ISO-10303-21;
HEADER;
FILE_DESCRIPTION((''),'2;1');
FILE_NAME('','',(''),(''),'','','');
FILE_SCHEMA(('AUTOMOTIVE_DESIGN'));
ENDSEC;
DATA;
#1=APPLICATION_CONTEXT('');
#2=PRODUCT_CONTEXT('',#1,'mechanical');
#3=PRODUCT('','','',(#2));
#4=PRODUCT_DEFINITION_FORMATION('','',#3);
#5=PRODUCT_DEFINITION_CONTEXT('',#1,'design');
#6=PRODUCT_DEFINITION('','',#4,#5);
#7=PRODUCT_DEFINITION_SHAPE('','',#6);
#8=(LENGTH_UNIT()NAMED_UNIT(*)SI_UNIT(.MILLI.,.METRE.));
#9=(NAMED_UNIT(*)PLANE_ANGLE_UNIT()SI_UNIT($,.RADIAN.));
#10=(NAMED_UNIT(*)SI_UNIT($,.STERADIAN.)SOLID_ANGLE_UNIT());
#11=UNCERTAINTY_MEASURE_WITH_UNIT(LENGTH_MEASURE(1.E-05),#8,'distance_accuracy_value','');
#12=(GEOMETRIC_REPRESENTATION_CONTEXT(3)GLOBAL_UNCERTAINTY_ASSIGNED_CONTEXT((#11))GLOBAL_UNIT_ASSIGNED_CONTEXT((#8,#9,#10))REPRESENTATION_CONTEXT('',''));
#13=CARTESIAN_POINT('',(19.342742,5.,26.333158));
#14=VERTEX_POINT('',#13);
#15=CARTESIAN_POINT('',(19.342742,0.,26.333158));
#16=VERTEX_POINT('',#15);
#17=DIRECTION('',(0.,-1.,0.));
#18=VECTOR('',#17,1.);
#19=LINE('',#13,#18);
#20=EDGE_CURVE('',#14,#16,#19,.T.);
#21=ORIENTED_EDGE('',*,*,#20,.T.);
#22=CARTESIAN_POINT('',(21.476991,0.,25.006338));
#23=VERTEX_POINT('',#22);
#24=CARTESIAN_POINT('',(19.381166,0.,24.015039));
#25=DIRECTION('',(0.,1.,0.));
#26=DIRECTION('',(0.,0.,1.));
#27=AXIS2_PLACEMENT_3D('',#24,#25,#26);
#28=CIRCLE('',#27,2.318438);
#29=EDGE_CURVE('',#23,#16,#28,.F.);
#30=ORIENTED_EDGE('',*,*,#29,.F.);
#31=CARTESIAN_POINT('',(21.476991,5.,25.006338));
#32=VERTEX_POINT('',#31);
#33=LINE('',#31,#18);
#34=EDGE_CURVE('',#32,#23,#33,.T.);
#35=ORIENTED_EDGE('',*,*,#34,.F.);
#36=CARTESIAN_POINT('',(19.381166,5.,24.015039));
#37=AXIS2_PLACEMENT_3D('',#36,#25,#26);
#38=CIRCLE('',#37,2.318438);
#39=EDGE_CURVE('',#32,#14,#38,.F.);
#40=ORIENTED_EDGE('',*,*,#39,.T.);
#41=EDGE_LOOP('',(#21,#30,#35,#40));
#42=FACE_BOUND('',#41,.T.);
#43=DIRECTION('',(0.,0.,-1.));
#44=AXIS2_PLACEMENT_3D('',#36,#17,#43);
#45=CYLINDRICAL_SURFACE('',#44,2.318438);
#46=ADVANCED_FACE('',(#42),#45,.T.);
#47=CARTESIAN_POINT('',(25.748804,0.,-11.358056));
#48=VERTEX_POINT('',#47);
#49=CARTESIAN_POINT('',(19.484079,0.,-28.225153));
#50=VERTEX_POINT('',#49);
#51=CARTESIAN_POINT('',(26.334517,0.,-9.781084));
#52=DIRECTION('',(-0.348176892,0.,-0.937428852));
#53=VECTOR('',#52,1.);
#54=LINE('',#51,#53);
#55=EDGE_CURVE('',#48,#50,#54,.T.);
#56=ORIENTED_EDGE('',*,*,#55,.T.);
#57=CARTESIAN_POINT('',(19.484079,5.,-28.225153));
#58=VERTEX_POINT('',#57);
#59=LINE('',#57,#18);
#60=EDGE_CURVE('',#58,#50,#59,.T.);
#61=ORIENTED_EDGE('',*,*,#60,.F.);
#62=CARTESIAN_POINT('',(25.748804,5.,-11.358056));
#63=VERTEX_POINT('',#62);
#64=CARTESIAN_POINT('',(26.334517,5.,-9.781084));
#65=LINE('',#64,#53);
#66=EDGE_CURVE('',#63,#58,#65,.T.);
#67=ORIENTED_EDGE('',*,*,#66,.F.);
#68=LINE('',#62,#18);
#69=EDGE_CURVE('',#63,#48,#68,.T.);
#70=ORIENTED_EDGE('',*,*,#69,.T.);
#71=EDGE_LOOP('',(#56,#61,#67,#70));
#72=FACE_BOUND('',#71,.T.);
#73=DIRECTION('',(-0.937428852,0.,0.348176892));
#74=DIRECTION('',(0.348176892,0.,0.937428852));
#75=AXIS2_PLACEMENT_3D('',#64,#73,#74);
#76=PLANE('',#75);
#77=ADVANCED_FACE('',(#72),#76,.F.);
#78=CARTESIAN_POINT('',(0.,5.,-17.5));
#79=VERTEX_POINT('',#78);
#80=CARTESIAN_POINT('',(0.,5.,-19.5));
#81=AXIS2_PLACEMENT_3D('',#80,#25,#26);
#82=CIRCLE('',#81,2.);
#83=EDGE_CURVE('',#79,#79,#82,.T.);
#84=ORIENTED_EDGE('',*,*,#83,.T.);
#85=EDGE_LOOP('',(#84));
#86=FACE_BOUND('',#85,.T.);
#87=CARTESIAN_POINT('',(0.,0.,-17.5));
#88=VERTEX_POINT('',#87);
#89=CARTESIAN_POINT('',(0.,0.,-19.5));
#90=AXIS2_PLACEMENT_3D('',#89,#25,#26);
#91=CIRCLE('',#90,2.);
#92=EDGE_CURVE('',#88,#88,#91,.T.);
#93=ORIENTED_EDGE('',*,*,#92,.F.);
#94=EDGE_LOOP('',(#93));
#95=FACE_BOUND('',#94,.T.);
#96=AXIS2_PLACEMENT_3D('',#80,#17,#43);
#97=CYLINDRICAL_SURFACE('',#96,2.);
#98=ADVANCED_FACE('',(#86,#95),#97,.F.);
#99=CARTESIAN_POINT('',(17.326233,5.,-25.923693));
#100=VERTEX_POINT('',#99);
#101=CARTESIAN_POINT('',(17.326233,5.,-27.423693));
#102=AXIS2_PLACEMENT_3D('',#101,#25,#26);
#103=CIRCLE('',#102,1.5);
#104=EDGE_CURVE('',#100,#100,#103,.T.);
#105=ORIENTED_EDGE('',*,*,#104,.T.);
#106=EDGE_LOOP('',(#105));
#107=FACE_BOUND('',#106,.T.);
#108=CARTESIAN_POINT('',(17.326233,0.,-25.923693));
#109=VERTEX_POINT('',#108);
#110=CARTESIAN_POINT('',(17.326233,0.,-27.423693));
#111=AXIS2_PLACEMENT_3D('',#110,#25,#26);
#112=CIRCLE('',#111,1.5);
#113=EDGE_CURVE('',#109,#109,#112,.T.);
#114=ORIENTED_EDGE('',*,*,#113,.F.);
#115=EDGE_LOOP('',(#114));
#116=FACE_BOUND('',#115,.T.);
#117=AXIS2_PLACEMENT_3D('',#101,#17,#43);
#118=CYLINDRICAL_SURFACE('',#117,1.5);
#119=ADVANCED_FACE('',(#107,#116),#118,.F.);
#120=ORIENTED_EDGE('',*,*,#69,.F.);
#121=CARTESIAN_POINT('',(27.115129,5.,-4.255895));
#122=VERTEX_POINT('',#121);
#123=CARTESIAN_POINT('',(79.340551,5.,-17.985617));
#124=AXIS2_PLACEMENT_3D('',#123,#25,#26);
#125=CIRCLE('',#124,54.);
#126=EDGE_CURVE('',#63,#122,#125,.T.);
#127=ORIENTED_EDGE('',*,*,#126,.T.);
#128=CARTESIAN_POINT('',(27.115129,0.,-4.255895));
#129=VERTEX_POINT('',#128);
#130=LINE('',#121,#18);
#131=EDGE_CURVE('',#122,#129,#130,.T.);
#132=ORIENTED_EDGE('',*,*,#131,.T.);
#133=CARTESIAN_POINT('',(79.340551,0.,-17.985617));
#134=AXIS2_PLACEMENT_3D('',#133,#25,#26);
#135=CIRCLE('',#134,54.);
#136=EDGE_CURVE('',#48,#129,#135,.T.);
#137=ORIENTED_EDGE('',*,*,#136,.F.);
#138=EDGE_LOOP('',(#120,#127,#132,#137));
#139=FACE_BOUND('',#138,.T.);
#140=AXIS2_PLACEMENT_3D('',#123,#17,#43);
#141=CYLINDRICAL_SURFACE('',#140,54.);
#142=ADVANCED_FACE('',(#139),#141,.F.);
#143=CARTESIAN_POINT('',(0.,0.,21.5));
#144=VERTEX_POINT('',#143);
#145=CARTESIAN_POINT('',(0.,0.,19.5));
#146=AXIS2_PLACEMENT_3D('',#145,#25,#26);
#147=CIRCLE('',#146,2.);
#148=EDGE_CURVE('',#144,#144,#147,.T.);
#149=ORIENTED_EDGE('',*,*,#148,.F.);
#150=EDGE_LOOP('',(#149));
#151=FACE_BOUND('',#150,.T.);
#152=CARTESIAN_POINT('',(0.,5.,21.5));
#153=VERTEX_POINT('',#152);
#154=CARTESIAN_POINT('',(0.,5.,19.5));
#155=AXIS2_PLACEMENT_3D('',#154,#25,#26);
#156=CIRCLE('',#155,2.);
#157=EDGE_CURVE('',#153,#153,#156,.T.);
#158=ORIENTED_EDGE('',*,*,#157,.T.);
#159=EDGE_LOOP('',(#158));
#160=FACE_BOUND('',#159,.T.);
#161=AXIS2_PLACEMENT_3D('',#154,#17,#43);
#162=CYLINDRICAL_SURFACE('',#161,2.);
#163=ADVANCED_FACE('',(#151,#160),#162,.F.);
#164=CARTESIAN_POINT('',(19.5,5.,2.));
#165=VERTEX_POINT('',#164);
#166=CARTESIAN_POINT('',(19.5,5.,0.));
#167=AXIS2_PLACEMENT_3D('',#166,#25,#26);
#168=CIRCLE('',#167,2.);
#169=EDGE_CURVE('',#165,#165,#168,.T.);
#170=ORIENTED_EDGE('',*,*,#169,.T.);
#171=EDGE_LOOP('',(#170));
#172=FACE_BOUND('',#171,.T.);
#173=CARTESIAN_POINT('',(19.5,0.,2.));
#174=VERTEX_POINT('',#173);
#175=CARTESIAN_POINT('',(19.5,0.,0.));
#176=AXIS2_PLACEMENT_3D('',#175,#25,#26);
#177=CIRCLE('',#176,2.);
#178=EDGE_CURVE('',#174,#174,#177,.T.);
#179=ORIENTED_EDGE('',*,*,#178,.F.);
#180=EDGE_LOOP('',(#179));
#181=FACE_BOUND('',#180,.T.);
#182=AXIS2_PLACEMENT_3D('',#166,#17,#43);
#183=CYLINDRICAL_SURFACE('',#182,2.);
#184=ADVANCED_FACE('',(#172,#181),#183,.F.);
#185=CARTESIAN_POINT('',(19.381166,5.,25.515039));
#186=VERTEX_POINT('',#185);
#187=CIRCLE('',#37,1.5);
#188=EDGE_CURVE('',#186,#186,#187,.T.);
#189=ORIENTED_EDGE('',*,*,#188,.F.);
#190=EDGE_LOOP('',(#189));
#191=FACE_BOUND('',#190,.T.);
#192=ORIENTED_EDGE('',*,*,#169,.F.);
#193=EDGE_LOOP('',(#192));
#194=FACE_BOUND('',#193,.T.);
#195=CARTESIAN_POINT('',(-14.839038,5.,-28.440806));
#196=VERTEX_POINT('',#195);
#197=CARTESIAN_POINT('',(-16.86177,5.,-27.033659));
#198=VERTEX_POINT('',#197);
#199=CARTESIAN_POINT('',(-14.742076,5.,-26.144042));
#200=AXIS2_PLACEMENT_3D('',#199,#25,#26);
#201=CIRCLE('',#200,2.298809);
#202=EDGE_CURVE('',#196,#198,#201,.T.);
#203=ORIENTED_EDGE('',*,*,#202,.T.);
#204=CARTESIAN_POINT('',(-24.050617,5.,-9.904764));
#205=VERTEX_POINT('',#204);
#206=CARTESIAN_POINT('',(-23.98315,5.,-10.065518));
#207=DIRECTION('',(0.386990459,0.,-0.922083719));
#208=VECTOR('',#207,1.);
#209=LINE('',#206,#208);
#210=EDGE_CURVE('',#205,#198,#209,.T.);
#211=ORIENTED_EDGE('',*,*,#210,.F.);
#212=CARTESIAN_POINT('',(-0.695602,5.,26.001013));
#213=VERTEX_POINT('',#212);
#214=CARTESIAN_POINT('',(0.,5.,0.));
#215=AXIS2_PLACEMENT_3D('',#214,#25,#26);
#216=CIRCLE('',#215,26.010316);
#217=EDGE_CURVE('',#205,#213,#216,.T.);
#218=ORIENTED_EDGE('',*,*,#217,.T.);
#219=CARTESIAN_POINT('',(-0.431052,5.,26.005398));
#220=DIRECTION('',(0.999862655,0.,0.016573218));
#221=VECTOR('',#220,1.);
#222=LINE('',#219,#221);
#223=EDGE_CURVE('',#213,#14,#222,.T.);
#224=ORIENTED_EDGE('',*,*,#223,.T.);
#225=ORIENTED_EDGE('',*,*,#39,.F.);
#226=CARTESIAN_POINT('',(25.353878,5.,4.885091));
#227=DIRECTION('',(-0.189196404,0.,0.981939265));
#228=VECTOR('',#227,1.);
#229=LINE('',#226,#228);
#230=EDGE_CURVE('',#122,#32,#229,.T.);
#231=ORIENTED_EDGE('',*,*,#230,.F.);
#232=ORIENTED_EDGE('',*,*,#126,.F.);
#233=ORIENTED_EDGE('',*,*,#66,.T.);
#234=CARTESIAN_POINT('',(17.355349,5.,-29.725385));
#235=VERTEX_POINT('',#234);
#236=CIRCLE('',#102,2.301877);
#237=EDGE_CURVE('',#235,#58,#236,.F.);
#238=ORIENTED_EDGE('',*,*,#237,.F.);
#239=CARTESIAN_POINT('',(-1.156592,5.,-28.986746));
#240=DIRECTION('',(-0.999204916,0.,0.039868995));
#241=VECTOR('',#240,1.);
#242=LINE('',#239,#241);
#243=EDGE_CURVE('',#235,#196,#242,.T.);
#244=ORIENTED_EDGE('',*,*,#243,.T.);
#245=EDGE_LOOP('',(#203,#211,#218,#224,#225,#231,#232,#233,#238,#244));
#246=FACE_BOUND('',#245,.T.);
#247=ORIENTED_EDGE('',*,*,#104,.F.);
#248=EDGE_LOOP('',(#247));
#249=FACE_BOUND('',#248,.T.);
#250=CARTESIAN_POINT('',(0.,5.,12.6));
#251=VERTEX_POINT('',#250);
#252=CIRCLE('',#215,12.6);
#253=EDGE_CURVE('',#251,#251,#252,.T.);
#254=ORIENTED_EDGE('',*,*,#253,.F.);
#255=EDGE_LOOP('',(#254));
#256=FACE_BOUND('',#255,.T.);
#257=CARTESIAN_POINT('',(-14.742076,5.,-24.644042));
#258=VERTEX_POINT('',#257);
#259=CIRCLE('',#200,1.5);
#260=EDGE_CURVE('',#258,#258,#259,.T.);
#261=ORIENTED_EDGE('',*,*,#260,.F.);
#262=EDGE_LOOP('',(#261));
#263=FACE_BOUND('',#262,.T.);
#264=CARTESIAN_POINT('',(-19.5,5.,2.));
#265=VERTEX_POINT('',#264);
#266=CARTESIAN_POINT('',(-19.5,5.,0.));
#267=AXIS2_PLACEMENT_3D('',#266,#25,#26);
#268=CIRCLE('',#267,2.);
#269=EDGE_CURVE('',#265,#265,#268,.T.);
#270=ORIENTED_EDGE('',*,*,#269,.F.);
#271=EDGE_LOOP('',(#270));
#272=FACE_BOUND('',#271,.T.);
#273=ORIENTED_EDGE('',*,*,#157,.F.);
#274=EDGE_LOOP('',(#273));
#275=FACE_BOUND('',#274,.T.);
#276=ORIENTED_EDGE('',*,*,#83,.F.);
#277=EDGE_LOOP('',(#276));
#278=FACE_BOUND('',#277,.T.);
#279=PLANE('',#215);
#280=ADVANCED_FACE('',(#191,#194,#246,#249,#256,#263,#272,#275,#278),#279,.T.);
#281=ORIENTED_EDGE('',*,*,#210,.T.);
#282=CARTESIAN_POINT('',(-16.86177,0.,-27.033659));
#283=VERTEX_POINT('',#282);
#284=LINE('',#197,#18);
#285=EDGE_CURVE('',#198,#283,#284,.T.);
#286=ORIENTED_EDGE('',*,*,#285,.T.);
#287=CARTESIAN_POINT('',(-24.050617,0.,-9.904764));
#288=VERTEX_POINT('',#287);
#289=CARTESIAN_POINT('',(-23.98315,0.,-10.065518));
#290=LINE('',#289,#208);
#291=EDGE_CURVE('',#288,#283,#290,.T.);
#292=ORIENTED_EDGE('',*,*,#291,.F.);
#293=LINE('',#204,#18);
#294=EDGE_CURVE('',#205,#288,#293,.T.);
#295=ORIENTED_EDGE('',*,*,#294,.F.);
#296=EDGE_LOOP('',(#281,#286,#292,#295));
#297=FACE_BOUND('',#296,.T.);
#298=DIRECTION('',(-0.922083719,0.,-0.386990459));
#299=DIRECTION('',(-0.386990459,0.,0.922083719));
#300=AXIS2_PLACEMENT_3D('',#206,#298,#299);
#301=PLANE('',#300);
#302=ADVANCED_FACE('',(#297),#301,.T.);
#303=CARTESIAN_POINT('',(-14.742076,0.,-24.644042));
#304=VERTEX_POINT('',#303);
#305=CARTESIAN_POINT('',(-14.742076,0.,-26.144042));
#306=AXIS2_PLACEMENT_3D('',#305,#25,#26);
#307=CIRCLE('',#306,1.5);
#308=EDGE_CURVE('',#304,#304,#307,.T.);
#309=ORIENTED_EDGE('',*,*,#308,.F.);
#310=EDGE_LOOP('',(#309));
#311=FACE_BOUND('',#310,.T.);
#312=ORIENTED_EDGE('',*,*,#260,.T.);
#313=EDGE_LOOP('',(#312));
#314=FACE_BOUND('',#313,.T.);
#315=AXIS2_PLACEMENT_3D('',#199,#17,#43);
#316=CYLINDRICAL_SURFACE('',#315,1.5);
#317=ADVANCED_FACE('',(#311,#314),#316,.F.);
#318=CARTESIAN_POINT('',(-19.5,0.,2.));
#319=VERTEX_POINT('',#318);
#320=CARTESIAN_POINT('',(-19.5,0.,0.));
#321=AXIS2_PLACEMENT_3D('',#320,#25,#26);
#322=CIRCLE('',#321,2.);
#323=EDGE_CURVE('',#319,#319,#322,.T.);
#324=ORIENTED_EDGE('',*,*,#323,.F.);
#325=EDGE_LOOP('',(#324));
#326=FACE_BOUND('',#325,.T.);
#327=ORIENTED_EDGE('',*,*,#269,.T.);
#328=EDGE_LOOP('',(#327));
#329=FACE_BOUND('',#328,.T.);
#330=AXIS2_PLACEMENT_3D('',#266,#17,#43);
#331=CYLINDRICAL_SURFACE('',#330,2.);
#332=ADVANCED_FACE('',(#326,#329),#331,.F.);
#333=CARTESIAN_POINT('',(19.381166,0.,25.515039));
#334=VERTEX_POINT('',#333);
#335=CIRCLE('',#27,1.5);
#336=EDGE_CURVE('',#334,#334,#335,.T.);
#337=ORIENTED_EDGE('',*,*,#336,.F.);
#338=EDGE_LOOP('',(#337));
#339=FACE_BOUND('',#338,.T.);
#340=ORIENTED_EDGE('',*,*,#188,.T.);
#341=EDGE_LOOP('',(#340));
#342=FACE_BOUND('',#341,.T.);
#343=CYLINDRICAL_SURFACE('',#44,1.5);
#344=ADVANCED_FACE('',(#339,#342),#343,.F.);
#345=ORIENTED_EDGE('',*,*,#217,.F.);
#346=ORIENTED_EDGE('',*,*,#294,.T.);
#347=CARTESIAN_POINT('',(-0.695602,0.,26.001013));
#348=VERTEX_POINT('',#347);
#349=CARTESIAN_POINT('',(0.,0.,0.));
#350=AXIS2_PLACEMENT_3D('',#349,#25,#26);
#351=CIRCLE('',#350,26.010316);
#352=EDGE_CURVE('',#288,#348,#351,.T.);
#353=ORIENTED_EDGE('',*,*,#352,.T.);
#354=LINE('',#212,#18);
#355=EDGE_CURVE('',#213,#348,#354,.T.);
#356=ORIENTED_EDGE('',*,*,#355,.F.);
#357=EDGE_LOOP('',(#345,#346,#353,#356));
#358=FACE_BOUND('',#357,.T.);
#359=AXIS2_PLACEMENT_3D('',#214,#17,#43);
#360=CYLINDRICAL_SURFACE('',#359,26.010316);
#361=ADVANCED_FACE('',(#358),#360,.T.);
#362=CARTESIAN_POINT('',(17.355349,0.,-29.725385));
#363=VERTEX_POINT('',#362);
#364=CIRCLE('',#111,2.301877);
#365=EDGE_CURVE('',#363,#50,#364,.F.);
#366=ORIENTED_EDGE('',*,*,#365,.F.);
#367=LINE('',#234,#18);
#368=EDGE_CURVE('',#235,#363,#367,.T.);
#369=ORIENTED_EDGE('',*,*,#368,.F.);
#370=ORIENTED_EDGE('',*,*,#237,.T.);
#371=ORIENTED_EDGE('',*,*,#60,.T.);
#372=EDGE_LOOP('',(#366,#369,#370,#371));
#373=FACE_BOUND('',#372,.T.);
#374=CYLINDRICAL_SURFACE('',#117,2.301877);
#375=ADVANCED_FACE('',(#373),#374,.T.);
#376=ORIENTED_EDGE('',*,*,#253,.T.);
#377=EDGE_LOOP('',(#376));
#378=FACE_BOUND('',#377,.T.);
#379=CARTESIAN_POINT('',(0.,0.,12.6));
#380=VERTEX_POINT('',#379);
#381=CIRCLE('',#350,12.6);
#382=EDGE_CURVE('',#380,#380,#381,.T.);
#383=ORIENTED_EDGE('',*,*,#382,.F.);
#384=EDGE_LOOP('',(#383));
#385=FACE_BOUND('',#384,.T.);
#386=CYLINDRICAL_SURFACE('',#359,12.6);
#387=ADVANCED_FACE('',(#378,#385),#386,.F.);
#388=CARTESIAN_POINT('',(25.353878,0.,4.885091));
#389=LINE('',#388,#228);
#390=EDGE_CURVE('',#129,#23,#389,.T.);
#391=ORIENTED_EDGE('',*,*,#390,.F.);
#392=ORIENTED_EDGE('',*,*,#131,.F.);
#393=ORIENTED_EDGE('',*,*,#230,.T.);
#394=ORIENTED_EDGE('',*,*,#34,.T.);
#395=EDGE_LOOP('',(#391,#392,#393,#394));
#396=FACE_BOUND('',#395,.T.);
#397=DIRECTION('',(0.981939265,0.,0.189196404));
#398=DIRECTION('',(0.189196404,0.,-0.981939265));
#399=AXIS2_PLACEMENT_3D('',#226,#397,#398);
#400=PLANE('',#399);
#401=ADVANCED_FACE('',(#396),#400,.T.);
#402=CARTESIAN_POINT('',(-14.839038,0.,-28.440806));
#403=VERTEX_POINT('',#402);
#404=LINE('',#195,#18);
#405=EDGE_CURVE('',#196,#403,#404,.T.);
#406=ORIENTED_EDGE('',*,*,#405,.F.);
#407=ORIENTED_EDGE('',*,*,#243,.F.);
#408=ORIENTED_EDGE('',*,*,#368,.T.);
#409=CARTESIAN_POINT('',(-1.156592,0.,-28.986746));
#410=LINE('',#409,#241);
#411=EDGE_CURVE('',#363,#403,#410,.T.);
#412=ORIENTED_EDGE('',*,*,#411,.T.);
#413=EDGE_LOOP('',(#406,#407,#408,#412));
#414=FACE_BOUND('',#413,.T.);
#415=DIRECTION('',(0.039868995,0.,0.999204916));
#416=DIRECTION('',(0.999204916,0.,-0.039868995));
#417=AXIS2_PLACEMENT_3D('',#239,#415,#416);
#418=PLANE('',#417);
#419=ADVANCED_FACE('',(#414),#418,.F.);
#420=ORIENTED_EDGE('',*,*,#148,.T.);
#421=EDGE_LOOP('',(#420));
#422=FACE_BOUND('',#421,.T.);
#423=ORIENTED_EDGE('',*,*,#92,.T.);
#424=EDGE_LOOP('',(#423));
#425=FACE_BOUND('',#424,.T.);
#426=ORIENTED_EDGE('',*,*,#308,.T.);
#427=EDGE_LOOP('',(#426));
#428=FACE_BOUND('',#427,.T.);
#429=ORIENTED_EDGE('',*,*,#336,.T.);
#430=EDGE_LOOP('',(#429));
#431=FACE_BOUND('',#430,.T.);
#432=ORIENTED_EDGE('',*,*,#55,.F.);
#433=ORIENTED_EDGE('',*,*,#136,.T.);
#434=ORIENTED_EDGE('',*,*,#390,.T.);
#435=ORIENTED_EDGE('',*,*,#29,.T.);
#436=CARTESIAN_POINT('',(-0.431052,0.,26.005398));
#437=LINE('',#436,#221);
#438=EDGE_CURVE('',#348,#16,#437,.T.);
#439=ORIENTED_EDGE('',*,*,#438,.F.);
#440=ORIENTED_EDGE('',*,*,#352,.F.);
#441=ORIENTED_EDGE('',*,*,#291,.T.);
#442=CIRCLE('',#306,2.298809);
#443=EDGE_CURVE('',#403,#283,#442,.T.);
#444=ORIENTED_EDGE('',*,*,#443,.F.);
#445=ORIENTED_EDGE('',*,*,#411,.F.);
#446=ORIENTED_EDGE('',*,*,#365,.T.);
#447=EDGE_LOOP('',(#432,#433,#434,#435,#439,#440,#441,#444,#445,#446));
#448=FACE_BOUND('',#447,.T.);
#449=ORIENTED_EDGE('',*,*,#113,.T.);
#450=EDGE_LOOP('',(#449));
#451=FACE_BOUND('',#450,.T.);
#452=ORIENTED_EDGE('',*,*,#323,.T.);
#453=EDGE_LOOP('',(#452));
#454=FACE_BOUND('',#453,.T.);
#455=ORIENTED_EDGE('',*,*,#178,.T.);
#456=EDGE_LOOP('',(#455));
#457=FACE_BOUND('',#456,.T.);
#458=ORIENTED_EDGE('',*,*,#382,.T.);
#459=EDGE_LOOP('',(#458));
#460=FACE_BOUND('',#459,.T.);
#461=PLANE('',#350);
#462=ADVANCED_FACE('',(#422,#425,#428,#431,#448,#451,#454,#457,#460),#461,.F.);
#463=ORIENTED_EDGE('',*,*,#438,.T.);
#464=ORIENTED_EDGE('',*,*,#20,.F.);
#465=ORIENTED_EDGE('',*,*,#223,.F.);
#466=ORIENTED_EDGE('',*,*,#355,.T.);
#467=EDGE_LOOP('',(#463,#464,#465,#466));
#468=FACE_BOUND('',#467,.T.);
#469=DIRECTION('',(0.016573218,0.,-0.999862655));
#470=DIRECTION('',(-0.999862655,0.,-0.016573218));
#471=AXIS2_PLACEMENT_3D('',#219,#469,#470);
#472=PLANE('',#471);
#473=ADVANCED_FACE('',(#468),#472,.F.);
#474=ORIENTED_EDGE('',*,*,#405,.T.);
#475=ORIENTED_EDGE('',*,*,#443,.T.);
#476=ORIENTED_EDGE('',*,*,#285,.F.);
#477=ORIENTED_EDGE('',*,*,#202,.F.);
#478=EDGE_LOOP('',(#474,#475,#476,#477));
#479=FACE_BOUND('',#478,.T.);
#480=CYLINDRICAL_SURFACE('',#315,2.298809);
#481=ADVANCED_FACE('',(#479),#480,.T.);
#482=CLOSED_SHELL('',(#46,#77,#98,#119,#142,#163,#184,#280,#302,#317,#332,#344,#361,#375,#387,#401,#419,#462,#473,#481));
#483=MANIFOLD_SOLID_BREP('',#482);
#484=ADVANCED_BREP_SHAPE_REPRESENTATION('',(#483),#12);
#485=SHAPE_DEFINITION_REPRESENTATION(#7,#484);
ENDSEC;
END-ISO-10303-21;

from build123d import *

# Parameters (mm, degrees)
SKETCH1_R           = 2
SKETCH1_R_2         = 12.6
SKETCH1_R_3         = 1.5
BOSS_EXTRUDE1_DEPTH = 5


with BuildPart() as part:
    # Sketch1 → Boss-Extrude1 (new body)
    with BuildSketch(Plane(origin=(0, 0, 0), x_dir=(1, 0, 0), z_dir=(0, 1, 0))):
        with BuildLine():
            Line((-0.695602201, -26.001013021), (19.342742394, -26.333158484))
            ThreePointArc((19.342742394, -26.333158484), (20.605232337, -25.984002388), (21.476990945, -25.006337943))
            Line((21.476990945, -25.006337943), (27.115129107, 4.255894982))
            ThreePointArc((27.115129107, 4.255894982), (26.312930803, 7.784075148), (25.748803556, 11.35805582))
            Line((25.748803556, 11.35805582), (19.484079103, 28.225152951))
            ThreePointArc((19.484079103, 28.225152951), (18.652270353, 29.305251267), (17.355348812, 29.725385394))
            Line((17.355348812, 29.725385394), (-14.839037586, 28.440806231))
            ThreePointArc((-14.839037586, 28.440806231), (-16.054862276, 28.031135004), (-16.861770169, 27.033658807))
            Line((-16.861770169, 27.033658807), (-24.050617364, 9.90476375))
            ThreePointArc((-24.050617364, 9.90476375), (-21.803670495, -14.182259815), (-0.695602201, -26.001013021))
        make_face()
        with Locations(Location((0, 19.5, 0), (0, 0, 270))):
            Circle(SKETCH1_R, mode=Mode.SUBTRACT)
        with Locations(Location((19.5, 0, 0), (0, 0, 270))):
            Circle(SKETCH1_R, mode=Mode.SUBTRACT)
        with Locations(Location((0, -19.5, 0), (0, 0, 270))):
            Circle(SKETCH1_R, mode=Mode.SUBTRACT)
        with Locations(Location((-19.5, 0, 0), (0, 0, 270))):
            Circle(SKETCH1_R, mode=Mode.SUBTRACT)
        with Locations(Location((0, 0, 0), (0, 0, 270))):
            Circle(SKETCH1_R_2, mode=Mode.SUBTRACT)
        with Locations(Location((19.381166369, -24.015039037, 0), (0, 0, 270))):
            Circle(SKETCH1_R_3, mode=Mode.SUBTRACT)
        with Locations(Location((17.326233239, 27.42369259, 0), (0, 0, 270))):
            Circle(SKETCH1_R_3, mode=Mode.SUBTRACT)
        with Locations(Location((-14.742076054, 26.144041757, 0), (0, 0, 270))):
            Circle(SKETCH1_R_3, mode=Mode.SUBTRACT)
    extrude(amount=BOSS_EXTRUDE1_DEPTH)


solid = part.part
